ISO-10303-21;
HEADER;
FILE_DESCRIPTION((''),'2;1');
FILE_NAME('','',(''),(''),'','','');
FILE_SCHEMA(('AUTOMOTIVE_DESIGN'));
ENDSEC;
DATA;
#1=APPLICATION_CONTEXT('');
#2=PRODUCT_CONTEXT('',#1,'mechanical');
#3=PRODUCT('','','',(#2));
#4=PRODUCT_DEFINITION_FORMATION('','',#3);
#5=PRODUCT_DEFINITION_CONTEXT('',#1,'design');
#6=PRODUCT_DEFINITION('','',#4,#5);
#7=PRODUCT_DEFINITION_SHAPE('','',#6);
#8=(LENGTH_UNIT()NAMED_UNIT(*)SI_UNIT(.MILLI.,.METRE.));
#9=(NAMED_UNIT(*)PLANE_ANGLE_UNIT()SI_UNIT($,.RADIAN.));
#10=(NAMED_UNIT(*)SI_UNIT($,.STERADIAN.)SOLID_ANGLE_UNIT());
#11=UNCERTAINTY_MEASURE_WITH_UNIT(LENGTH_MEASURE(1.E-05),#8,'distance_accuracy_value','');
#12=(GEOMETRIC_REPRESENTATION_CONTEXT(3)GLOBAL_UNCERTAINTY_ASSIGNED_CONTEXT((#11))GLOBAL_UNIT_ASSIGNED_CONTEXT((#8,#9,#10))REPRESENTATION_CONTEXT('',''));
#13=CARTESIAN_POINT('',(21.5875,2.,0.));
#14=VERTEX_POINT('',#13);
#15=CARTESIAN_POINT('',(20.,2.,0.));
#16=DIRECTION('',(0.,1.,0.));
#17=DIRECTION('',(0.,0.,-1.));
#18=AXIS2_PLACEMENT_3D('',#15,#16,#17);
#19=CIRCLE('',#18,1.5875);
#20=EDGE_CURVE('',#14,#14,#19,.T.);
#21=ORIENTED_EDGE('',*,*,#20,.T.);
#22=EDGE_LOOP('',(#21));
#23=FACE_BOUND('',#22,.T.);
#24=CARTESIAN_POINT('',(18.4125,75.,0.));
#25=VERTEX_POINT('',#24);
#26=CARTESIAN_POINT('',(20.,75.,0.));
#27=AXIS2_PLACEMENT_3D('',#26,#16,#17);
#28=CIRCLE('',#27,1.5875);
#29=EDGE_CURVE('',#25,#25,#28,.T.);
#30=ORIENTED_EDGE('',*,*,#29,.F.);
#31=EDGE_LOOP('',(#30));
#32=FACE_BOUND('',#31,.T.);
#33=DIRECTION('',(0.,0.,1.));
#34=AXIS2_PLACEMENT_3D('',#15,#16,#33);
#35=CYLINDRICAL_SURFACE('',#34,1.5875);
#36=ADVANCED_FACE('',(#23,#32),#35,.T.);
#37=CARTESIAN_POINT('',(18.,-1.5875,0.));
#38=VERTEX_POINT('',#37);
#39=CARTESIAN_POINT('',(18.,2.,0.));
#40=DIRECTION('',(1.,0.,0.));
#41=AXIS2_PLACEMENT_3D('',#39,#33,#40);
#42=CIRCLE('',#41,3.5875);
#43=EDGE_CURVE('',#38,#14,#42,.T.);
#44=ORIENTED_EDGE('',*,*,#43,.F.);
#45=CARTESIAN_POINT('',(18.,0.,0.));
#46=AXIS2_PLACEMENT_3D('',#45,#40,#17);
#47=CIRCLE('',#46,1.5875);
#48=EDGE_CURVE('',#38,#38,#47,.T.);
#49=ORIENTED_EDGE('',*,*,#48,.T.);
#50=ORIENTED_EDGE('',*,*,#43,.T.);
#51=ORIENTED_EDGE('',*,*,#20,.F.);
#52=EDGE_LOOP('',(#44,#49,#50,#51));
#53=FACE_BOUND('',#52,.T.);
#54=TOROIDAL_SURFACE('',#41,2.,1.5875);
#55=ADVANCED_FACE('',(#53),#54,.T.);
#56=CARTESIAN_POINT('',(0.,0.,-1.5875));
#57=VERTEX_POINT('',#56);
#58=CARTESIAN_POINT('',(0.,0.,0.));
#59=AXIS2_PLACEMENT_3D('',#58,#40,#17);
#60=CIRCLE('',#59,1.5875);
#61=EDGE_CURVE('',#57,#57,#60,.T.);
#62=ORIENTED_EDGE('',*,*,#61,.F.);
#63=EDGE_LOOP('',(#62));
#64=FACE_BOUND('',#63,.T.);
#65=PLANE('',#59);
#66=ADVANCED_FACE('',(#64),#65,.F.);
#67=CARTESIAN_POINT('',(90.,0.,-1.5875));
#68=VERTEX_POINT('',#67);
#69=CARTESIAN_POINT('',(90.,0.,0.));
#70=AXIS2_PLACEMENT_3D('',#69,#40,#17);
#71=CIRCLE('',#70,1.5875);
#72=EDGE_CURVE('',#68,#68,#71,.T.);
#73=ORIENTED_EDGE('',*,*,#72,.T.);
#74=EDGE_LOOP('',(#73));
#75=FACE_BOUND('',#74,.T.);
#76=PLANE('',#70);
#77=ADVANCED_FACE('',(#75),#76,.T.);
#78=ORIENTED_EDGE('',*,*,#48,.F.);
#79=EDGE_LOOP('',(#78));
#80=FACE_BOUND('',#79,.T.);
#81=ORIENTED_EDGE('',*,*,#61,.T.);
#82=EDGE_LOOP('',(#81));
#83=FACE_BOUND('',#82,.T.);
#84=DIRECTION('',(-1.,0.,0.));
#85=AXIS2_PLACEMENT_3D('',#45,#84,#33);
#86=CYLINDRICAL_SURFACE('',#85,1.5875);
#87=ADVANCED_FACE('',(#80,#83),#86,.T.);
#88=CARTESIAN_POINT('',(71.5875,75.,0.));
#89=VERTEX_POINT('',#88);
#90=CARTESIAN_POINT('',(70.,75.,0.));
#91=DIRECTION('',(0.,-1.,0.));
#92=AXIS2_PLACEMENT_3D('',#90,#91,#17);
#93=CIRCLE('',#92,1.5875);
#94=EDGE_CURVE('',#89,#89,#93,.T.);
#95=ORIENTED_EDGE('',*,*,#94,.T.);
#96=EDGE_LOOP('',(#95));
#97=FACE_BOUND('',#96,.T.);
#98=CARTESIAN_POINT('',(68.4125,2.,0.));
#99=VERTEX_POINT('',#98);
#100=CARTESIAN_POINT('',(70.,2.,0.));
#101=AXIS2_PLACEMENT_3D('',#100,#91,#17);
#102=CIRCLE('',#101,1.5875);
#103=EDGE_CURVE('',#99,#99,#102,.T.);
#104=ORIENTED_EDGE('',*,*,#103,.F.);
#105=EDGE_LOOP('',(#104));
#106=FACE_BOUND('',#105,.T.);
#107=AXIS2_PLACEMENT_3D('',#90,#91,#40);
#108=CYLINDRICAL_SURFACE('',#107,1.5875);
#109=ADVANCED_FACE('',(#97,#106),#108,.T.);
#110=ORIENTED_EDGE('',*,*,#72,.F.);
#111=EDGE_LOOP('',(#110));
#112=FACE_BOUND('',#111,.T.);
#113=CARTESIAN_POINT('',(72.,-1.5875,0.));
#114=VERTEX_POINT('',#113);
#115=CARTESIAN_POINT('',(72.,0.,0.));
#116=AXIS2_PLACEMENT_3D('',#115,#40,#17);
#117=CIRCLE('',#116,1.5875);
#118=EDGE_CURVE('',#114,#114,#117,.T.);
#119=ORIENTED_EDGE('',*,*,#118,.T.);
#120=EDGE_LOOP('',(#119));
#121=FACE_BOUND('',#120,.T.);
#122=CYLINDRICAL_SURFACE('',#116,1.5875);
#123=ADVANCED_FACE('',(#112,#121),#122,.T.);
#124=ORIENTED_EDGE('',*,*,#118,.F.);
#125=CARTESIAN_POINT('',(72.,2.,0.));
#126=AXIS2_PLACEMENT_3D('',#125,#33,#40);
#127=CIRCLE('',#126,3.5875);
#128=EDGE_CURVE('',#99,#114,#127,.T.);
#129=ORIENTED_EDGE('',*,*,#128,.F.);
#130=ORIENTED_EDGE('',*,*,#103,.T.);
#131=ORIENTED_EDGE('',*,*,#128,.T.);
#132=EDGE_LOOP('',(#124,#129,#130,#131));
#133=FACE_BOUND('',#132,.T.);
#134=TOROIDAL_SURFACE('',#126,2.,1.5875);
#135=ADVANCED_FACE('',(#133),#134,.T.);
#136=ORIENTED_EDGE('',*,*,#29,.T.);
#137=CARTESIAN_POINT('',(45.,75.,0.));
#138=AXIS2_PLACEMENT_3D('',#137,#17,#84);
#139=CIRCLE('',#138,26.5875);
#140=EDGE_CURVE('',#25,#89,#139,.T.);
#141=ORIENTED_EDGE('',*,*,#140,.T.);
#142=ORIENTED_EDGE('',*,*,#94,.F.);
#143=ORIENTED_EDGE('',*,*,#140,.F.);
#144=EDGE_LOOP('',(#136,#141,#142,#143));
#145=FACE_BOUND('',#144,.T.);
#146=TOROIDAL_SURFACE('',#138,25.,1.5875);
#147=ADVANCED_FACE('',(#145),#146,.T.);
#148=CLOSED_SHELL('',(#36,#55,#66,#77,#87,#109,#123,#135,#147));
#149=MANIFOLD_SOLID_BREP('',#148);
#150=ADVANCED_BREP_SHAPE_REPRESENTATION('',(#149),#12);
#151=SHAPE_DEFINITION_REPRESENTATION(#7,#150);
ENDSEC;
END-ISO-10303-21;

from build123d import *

# Parameters (mm, degrees)
SKETCH2_R = 1.5875


with BuildPart() as part:
    # Sweep1: sweep along a path in Sketch1
    with BuildLine(Plane.XY) as sweep1_path:
        Line((0, 0), (18, 0))
        ThreePointArc((18, 0), (19.414213562, 0.585786438), (20, 2))
        Line((20, 2), (20, 75))
        ThreePointArc((20, 75), (45, 100), (70, 75))
        Line((70, 75), (70, 2))
        ThreePointArc((70, 2), (70.585786438, 0.585786438), (72, 0))
        Line((72, 0), (90, 0))
    # Sketch2 → Sweep1 (sweep)
    with BuildSketch(Plane(origin=(0, 0, 0), x_dir=(0, 0, -1), z_dir=(1, 0, 0))):
        Circle(SKETCH2_R)
    sweep(path=sweep1_path.line)


solid = part.part
